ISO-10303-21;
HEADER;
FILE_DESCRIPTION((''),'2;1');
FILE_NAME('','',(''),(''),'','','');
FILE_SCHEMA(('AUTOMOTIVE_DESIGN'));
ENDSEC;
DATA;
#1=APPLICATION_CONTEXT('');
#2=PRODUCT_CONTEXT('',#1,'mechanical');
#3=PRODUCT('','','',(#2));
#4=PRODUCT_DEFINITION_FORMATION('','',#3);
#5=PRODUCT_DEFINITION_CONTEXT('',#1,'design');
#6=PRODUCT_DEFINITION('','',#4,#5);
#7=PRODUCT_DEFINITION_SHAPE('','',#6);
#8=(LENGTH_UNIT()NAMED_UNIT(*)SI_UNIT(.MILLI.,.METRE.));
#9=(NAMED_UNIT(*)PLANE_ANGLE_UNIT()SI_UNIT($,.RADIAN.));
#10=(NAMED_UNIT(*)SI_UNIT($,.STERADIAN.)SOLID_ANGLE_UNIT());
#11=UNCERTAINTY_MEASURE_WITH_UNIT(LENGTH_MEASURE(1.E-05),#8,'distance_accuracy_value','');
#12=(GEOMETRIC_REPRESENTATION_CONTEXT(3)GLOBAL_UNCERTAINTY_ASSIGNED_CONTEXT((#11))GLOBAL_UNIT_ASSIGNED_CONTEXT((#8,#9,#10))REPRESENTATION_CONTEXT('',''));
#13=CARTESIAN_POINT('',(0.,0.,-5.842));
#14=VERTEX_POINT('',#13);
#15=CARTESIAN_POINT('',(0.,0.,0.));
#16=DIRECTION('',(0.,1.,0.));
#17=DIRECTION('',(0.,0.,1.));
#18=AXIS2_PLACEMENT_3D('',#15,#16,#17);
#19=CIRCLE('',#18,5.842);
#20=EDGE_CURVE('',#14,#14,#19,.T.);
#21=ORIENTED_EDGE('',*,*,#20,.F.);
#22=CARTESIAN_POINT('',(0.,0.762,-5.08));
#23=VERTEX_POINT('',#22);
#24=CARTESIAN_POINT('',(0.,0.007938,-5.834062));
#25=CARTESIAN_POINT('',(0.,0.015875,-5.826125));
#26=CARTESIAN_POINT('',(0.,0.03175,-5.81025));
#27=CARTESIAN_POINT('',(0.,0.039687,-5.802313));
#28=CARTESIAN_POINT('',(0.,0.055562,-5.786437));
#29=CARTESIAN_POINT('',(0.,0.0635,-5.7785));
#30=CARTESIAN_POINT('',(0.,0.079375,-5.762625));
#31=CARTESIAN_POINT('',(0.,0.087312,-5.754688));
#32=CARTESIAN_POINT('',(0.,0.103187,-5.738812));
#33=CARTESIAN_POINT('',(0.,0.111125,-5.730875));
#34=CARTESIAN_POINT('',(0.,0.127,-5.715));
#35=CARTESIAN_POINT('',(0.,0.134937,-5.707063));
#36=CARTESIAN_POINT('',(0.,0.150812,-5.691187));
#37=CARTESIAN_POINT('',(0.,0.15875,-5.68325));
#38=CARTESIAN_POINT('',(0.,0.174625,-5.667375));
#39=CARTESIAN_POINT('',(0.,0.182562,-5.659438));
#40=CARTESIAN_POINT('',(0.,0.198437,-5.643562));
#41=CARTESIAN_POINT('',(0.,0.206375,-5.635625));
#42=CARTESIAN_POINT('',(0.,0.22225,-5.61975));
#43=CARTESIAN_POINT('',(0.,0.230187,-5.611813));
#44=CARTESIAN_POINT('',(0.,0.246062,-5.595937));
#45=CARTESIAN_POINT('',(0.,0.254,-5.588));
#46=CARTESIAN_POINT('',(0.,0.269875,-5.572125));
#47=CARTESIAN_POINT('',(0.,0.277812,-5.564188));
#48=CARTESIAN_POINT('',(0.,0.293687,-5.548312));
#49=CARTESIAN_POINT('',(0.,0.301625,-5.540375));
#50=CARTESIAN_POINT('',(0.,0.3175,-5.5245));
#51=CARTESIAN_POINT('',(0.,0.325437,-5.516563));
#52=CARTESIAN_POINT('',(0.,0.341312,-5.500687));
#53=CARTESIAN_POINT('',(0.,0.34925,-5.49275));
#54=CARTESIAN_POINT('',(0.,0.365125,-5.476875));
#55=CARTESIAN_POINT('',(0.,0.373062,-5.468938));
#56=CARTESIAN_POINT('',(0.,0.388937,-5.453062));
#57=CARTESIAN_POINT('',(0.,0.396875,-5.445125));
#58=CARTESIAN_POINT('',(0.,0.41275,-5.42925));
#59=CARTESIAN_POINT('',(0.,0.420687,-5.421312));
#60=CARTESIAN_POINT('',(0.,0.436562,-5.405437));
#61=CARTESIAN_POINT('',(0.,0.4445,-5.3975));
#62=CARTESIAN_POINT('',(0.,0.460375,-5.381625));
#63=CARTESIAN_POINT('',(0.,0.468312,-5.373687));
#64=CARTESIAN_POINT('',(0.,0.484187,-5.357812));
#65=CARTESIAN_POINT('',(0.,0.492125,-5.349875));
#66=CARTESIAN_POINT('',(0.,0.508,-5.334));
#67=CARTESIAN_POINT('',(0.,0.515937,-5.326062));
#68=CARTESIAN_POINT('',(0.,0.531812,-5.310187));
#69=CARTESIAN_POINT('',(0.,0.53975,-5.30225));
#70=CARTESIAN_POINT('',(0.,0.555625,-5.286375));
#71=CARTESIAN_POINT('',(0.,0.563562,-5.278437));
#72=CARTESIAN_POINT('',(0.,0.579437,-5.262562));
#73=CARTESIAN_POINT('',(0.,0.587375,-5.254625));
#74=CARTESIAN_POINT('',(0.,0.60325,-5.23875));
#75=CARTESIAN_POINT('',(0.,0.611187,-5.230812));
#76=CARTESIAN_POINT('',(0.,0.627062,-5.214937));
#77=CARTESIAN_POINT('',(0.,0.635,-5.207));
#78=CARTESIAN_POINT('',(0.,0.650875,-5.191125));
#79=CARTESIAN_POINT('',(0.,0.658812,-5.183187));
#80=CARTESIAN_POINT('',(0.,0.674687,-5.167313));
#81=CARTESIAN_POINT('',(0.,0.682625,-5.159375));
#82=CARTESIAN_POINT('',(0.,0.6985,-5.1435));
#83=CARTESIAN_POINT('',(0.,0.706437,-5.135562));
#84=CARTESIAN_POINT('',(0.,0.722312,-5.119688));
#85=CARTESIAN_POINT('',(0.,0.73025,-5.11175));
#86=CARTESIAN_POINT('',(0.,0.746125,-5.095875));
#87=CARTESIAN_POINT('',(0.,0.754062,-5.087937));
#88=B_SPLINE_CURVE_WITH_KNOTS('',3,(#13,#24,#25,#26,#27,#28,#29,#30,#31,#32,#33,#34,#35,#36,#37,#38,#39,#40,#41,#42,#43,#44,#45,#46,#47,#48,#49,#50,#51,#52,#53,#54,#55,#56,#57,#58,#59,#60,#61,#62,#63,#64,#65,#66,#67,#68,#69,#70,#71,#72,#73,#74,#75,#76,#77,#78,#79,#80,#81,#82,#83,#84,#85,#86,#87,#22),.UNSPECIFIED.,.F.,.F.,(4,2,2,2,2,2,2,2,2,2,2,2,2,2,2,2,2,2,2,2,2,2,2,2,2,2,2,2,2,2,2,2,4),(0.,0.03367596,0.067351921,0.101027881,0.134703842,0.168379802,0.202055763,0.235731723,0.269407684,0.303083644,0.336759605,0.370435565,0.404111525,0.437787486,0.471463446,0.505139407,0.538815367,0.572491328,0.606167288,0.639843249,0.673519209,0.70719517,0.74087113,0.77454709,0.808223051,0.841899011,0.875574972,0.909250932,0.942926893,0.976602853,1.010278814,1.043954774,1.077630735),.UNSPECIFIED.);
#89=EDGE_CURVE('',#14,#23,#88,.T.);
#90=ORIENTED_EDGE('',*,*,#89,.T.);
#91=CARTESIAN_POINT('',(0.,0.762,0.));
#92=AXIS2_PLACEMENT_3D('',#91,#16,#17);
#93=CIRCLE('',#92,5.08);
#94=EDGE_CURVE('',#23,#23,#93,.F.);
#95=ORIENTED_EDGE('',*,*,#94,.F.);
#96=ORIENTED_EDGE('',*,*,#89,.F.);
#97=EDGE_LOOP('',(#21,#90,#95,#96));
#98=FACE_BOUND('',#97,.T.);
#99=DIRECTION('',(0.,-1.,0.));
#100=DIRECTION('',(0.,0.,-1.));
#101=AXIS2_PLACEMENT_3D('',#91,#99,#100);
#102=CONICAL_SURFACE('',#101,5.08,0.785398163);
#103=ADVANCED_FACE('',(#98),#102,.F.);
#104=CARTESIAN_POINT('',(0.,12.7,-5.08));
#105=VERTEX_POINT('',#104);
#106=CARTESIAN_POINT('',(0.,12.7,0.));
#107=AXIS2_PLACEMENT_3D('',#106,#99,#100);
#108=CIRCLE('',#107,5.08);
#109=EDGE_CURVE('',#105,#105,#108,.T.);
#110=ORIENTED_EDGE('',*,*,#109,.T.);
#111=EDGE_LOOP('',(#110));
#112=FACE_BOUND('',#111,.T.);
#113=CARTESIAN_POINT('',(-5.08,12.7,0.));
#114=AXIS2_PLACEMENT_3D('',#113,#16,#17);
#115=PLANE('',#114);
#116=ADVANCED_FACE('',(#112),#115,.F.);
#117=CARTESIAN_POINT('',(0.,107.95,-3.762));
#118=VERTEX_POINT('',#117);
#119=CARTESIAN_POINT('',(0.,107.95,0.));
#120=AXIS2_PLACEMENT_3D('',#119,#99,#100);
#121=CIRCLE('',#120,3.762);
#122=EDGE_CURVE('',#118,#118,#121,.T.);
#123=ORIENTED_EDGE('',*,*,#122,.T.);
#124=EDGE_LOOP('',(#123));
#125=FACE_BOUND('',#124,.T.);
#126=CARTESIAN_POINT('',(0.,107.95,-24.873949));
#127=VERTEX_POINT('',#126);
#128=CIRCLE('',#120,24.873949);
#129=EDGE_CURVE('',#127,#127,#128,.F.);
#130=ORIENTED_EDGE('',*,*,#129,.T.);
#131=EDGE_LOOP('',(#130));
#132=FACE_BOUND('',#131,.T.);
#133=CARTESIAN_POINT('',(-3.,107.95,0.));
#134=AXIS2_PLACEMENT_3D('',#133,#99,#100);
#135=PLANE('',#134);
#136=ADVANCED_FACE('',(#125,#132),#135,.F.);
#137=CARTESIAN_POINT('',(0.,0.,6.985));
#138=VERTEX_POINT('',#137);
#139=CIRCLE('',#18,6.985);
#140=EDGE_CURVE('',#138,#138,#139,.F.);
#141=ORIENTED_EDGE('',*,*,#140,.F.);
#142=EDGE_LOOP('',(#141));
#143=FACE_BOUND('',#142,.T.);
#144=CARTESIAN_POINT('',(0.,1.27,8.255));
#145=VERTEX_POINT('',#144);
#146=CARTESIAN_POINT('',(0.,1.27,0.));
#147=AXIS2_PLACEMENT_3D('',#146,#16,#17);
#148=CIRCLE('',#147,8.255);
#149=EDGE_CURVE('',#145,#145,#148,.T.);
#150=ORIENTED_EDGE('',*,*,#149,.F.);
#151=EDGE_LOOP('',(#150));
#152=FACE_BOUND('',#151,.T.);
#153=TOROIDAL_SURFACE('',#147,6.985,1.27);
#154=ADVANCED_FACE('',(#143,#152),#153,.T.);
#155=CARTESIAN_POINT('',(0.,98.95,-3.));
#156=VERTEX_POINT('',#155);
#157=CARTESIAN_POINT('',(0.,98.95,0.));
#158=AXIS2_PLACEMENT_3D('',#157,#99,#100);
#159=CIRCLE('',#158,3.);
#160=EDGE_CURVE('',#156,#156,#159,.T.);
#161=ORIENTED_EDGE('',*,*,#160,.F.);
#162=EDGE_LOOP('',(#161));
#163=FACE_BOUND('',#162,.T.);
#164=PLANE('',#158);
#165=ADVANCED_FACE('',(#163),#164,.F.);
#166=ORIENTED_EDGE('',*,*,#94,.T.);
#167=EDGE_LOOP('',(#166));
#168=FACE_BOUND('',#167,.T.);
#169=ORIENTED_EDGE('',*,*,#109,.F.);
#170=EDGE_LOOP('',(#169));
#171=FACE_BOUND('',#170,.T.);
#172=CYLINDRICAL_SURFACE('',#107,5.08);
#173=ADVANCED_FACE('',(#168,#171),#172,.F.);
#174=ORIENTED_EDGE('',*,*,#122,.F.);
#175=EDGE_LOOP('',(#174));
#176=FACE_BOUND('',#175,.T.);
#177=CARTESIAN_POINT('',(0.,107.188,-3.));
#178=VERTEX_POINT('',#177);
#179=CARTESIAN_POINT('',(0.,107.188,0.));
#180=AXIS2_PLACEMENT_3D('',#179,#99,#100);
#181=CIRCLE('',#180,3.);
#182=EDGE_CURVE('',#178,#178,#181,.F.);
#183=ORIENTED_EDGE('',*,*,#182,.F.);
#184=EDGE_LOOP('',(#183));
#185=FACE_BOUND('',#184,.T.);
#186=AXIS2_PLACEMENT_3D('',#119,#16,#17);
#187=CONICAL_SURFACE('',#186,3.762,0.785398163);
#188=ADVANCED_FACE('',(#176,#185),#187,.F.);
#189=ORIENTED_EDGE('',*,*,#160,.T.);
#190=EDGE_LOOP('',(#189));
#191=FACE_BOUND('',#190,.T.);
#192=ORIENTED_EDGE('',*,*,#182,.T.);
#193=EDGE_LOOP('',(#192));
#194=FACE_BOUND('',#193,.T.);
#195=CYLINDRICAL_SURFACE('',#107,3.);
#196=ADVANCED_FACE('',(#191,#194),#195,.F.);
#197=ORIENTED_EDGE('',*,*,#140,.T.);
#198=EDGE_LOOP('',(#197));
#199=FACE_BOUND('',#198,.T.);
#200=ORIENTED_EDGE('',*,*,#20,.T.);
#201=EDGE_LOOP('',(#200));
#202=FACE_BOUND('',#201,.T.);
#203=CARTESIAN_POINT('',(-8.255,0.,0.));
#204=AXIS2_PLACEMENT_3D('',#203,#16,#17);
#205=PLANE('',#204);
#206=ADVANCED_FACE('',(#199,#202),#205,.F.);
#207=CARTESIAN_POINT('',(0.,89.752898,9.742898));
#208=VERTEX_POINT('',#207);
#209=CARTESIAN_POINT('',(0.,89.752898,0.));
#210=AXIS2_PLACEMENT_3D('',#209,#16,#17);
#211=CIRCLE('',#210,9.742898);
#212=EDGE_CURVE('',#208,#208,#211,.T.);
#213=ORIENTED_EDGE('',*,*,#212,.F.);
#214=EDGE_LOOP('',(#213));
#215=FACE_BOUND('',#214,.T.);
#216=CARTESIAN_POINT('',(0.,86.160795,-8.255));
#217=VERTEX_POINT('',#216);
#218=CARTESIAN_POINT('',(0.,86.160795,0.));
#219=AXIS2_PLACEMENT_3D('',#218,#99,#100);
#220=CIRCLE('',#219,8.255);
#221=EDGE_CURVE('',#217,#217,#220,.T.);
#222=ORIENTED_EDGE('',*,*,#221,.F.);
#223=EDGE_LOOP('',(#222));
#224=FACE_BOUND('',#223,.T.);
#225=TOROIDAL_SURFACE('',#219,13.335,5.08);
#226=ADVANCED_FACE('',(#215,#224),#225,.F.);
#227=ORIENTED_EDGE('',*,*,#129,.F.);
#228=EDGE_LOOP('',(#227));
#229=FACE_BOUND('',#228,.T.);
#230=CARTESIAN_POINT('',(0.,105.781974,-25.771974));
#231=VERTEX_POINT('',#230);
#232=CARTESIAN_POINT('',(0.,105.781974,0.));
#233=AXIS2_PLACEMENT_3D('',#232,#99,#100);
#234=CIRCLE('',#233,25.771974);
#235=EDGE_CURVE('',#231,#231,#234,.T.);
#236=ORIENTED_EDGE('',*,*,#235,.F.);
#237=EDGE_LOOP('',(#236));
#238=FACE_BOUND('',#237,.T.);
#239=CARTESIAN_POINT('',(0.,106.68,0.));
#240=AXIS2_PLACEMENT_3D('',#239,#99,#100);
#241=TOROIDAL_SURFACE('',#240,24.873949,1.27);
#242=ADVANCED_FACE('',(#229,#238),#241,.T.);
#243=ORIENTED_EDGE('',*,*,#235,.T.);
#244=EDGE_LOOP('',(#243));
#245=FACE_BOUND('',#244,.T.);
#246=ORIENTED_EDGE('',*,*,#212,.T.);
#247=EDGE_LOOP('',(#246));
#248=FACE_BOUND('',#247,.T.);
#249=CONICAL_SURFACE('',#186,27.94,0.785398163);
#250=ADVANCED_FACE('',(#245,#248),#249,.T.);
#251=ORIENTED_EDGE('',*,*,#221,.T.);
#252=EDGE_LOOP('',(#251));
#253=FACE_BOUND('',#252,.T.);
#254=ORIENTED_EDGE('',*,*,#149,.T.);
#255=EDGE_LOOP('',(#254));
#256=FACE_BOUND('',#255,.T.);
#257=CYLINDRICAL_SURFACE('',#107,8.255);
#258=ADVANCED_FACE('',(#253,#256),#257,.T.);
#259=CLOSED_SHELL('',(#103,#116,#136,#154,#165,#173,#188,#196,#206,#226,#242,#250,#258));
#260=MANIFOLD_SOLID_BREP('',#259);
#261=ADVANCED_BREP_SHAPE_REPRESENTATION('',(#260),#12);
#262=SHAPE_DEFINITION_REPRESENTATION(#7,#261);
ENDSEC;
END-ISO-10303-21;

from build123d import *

# Parameters (mm, degrees)
CHAMFER1_SIZE = 0.762
FILLET1_R     = 1.27
FILLET2_R     = 1.27
FILLET3_R     = 5.08


with BuildPart() as part:
    # Sketch1 → Revolve1 (revolve)
    with BuildSketch(Plane.XY, mode=Mode.PRIVATE) as revolve1_sk:
        Polygon((-27.94, 107.95), (-8.255, 88.265), (-8.255, 0), (-5.08, 0), (-5.08, 12.7), (0, 12.7), (0, 98.95), (-3, 98.95), (-3, 107.95), align=None)
    revolve(revolve1_sk.sketch.rotate(Axis((0, 12.7, 0), (0, 1, 0)), 270), axis=Axis((0, 12.7, 0), (0, 1, 0)))

    # Chamfer1
    chamfer1_edges = [part.edges().sort_by_distance(p)[0] for p in [
        (0, 0, 5.08),
        (0, 107.95, 3),
    ]]
    chamfer(chamfer1_edges, length=CHAMFER1_SIZE)

    # Fillet1
    fillet1_edges = [part.edges().sort_by_distance(p)[0] for p in [
        (0, 0, 8.255),
    ]]
    fillet(fillet1_edges, radius=FILLET1_R)

    # Fillet2
    fillet2_edges = [part.edges().sort_by_distance(p)[0] for p in [
        (0, 107.95, 27.94),
    ]]
    fillet(fillet2_edges, radius=FILLET2_R)

    # Fillet3
    fillet3_edges = [part.edges().sort_by_distance(p)[0] for p in [
        (0, 88.265, 8.255),
    ]]
    fillet(fillet3_edges, radius=FILLET3_R)


solid = part.part
